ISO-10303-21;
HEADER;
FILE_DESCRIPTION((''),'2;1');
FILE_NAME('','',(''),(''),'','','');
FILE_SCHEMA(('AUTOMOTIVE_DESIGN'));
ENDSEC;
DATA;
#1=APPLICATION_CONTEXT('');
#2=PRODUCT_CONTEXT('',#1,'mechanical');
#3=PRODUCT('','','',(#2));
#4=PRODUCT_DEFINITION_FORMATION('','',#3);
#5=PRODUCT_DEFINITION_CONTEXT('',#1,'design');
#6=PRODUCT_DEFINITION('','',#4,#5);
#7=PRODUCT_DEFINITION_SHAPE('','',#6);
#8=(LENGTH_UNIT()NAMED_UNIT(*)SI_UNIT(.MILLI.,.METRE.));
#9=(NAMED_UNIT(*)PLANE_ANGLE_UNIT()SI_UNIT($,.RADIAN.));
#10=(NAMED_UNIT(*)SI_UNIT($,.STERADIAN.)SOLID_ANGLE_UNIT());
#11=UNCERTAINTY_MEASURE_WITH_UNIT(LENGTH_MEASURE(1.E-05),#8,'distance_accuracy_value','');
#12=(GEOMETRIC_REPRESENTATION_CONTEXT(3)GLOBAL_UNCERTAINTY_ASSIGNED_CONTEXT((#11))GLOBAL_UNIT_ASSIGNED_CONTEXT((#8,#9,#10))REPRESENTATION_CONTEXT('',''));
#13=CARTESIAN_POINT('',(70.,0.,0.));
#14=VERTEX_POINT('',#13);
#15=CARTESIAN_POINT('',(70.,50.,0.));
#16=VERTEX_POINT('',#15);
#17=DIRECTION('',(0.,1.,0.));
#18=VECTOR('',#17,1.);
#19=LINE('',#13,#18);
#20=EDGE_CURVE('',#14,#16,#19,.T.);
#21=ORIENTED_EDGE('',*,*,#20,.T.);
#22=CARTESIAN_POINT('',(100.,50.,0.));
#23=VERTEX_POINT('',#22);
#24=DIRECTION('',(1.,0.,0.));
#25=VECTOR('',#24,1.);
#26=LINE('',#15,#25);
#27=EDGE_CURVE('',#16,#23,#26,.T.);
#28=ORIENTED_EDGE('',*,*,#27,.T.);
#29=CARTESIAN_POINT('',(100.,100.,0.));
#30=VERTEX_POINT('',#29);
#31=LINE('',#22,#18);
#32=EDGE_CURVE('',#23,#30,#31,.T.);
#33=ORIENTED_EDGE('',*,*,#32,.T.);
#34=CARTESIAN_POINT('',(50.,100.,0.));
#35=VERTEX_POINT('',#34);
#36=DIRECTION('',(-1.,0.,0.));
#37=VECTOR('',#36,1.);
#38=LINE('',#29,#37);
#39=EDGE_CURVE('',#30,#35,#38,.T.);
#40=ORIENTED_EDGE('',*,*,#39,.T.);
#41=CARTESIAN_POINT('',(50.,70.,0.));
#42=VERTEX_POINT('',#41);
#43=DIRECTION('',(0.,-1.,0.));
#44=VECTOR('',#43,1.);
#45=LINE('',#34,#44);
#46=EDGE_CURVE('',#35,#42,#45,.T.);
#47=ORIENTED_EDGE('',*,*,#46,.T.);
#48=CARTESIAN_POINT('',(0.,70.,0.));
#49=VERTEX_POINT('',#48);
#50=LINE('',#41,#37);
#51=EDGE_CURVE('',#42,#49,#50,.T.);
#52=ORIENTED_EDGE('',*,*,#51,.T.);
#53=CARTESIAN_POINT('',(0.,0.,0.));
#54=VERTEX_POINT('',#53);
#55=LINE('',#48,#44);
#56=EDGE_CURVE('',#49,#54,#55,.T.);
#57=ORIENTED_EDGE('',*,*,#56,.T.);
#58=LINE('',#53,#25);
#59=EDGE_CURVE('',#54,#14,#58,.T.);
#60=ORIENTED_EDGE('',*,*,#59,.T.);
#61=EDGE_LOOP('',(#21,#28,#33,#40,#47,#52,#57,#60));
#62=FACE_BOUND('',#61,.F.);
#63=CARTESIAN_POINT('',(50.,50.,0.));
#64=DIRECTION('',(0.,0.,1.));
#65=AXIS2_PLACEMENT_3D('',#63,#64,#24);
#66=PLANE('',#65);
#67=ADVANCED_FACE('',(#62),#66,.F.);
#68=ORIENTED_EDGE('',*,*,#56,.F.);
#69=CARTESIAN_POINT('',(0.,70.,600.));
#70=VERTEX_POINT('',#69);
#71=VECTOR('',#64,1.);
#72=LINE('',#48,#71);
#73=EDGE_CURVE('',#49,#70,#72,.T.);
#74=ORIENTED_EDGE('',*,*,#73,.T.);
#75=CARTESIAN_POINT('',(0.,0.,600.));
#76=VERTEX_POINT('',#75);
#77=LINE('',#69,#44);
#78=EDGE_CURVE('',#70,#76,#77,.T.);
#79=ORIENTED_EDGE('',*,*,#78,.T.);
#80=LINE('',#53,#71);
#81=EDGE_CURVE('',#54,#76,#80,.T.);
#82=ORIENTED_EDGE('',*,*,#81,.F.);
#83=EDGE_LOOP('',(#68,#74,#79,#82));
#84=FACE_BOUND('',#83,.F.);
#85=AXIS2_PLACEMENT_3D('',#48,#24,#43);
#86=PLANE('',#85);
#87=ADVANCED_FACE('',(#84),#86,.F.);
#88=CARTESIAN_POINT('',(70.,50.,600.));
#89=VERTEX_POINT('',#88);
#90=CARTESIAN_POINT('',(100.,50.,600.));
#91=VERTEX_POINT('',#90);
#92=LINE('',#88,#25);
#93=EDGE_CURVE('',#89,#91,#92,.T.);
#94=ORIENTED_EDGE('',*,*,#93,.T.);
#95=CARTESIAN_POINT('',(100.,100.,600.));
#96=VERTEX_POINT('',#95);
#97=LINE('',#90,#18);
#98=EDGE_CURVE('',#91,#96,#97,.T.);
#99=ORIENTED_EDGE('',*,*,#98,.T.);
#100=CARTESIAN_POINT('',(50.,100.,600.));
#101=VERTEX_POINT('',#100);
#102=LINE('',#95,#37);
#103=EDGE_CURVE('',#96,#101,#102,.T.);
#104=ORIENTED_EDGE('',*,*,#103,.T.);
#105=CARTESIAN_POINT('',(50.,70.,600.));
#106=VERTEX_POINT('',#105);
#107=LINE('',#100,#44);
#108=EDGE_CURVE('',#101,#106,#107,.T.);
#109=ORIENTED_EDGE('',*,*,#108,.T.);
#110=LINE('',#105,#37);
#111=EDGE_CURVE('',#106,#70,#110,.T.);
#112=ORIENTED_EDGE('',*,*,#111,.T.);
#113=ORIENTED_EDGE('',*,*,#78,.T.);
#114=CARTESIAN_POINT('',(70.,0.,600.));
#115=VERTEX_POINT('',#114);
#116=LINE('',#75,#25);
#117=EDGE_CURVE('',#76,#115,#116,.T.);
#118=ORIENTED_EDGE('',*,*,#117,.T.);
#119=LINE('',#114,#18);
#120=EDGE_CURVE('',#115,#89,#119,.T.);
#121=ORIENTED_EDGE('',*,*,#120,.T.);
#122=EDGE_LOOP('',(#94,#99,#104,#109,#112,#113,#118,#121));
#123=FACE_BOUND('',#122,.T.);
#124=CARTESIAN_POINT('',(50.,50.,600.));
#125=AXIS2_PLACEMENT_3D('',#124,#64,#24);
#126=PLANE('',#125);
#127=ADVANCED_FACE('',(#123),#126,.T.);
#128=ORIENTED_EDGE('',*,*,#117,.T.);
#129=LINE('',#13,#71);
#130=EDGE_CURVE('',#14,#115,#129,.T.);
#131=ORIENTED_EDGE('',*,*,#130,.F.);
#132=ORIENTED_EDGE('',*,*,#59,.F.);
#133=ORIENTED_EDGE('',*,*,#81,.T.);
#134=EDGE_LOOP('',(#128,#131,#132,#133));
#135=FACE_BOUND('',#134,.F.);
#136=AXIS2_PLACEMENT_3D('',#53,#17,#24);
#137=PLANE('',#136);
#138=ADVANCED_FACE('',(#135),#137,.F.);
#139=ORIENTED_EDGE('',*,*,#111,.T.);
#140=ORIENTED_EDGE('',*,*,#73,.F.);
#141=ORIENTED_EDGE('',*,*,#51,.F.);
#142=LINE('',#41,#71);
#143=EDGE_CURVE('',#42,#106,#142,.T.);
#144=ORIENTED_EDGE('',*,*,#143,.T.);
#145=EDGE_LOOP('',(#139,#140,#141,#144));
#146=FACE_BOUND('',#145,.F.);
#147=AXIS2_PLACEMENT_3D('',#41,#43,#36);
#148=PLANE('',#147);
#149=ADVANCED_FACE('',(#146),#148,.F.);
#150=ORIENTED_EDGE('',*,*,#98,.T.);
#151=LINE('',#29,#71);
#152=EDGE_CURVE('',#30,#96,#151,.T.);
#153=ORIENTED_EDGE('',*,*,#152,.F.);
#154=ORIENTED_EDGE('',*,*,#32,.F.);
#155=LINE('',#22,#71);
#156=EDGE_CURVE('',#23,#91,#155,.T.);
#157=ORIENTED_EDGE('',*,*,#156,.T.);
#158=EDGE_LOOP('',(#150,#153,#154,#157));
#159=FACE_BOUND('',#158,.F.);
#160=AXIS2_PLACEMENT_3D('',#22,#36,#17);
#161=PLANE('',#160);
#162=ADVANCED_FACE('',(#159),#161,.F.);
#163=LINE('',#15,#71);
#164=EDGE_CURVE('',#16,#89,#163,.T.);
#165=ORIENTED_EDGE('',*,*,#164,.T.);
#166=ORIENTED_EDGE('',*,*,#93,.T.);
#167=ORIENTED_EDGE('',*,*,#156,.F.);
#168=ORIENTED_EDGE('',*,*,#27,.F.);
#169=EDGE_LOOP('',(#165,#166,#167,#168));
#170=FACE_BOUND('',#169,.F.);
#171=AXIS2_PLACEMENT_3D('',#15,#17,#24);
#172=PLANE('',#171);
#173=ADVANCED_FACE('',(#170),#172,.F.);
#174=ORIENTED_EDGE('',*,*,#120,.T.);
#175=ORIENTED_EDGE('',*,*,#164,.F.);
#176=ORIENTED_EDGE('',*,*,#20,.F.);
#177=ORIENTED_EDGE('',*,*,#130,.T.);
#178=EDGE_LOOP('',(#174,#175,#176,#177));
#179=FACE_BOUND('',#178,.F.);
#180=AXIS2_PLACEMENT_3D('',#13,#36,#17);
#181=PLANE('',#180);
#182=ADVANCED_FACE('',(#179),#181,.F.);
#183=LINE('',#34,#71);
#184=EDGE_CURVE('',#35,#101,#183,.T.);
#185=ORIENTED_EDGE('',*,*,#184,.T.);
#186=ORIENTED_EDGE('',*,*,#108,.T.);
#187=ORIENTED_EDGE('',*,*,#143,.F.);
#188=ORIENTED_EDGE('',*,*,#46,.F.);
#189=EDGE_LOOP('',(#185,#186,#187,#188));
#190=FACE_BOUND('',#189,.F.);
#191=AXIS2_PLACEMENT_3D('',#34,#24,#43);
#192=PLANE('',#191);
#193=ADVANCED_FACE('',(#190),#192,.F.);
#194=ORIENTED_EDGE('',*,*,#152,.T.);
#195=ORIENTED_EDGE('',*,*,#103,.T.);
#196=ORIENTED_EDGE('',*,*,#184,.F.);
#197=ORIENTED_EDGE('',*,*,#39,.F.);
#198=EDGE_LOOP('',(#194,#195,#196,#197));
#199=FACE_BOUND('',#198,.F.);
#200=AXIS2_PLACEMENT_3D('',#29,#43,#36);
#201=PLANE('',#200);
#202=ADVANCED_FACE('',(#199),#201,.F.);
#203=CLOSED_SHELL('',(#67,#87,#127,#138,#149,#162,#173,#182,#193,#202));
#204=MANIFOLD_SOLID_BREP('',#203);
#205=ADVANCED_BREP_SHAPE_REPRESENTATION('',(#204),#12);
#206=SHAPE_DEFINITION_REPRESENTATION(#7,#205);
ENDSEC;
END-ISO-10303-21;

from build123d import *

# Parameters (mm, degrees)
F1_DEPTH = 600


with BuildPart() as f1:
    # F0 (on Top) → F1 (new body)
    with BuildSketch(Plane.XY):
        Polygon((0, 70), (0, 0), (70, 0), (70, 50), (100, 50), (100, 100), (50, 100), (50, 70), align=None)
    extrude(amount=F1_DEPTH)


with BuildPart() as f2_1:
    # F2: copy of F1
    add(f1.part)


solid = f1.part
